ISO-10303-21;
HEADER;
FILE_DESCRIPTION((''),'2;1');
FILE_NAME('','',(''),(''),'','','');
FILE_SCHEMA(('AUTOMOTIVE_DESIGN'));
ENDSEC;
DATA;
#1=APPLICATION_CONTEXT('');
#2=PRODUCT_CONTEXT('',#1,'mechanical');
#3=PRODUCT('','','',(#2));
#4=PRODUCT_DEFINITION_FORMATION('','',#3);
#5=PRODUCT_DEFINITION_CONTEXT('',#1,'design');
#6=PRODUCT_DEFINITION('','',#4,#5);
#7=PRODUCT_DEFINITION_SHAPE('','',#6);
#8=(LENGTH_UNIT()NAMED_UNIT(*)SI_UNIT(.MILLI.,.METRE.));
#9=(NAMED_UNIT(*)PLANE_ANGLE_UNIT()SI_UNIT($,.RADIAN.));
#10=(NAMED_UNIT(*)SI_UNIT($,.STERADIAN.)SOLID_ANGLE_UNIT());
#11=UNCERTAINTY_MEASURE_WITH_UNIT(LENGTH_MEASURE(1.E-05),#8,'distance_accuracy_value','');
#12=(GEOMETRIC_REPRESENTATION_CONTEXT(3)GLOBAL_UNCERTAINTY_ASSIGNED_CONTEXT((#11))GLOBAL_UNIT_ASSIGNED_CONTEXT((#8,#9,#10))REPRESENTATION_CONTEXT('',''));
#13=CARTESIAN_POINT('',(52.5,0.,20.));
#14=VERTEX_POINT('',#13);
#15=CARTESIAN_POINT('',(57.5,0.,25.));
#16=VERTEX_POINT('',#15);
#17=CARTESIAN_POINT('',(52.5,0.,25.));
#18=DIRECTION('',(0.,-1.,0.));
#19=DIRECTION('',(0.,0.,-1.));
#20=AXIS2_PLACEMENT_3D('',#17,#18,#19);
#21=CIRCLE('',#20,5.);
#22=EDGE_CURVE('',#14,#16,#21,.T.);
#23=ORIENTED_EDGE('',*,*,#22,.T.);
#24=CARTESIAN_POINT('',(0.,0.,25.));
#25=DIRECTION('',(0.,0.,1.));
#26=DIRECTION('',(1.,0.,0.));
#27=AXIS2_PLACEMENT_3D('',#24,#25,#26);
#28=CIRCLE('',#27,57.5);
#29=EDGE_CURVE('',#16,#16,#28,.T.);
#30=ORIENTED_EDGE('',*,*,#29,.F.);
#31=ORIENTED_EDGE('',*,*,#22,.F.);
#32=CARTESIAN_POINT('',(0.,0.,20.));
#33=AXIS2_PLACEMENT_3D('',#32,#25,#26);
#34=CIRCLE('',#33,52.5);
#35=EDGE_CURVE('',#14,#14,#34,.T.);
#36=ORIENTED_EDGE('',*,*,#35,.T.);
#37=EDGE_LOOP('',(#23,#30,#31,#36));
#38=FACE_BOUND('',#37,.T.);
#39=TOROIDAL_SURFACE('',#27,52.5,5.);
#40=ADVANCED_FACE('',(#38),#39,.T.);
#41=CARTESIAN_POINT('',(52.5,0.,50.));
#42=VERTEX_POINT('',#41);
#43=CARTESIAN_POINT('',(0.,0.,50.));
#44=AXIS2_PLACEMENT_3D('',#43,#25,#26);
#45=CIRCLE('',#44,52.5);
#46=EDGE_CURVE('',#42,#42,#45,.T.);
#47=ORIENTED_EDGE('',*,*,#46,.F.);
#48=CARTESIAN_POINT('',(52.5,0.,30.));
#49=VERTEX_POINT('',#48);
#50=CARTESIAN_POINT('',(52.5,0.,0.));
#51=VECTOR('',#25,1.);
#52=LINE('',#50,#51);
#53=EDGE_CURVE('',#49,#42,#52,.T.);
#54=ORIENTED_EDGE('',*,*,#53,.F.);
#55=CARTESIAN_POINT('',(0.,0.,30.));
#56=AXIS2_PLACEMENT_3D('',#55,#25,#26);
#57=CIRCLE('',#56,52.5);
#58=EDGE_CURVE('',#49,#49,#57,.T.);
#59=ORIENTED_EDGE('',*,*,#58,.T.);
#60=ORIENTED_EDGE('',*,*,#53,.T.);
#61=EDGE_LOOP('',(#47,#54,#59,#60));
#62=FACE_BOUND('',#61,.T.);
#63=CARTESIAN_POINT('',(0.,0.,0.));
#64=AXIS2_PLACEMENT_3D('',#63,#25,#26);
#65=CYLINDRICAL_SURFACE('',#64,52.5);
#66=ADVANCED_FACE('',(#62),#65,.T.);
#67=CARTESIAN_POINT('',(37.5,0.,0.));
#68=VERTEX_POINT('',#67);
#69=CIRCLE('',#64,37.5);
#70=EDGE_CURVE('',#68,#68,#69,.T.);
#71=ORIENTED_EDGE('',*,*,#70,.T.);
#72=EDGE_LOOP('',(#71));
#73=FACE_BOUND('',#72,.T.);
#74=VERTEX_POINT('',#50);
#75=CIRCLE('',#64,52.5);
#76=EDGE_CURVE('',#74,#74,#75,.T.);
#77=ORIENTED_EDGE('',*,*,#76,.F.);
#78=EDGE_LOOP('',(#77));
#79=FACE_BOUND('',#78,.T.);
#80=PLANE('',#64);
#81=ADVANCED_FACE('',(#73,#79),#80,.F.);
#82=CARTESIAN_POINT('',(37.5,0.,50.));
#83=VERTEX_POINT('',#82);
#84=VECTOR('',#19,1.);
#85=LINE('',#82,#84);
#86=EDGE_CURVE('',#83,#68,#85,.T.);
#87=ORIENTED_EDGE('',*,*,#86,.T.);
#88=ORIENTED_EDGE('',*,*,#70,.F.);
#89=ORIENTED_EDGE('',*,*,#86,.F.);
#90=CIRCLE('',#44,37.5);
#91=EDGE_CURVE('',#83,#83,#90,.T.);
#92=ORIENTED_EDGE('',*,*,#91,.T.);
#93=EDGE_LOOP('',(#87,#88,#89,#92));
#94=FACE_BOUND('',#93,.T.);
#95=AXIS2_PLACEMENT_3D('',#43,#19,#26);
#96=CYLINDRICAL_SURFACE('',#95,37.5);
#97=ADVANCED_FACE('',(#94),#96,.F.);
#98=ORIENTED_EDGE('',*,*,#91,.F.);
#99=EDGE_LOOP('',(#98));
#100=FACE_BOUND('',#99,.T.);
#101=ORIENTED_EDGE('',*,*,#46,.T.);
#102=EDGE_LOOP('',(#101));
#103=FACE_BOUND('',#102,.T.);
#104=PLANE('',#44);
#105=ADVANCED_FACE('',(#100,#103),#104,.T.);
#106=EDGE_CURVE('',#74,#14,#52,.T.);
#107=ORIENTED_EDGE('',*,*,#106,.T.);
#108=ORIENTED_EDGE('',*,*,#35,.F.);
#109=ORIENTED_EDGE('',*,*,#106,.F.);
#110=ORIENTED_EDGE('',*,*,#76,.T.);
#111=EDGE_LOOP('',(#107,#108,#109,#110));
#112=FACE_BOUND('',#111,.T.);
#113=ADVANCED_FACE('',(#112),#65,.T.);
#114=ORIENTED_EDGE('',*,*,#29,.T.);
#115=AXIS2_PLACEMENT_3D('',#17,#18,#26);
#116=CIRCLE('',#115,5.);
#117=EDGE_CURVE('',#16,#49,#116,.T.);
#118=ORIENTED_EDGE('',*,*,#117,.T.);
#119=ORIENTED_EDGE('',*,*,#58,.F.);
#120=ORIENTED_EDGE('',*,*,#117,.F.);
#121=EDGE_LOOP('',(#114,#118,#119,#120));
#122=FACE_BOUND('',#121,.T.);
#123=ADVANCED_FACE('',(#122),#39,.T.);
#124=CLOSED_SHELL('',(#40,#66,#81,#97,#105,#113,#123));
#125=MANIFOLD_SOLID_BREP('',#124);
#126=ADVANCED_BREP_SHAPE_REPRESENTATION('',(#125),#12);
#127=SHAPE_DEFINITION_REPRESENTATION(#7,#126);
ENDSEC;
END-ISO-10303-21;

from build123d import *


with BuildPart() as f1:
    # F0 (on Front) → F1 (revolve)
    with BuildSketch(Plane.XZ):
        with BuildLine():
            Line((37.5, 50), (37.5, 0))
            Line((37.5, 0), (52.5, 0))
            Line((52.5, 0), (52.5, 20))
            ThreePointArc((52.5, 20), (47.5, 25), (52.5, 30))
            Line((52.5, 30), (52.5, 50))
            Line((52.5, 50), (37.5, 50))
        make_face()
        with BuildLine():
            ThreePointArc((52.5, 30), (47.5, 25), (52.5, 20))
            Line((52.5, 20), (52.5, 30))
        make_face()
        with BuildLine():
            Line((52.5, 30), (52.5, 20))
            ThreePointArc((52.5, 20), (56.0355339059, 21.4644660941), (57.5, 25))
            ThreePointArc((57.5, 25), (56.0355339059, 28.5355339059), (52.5, 30))
        make_face()
    revolve(axis=Axis((0, 0, 25), (0, 0, 1)))


solid = f1.part
